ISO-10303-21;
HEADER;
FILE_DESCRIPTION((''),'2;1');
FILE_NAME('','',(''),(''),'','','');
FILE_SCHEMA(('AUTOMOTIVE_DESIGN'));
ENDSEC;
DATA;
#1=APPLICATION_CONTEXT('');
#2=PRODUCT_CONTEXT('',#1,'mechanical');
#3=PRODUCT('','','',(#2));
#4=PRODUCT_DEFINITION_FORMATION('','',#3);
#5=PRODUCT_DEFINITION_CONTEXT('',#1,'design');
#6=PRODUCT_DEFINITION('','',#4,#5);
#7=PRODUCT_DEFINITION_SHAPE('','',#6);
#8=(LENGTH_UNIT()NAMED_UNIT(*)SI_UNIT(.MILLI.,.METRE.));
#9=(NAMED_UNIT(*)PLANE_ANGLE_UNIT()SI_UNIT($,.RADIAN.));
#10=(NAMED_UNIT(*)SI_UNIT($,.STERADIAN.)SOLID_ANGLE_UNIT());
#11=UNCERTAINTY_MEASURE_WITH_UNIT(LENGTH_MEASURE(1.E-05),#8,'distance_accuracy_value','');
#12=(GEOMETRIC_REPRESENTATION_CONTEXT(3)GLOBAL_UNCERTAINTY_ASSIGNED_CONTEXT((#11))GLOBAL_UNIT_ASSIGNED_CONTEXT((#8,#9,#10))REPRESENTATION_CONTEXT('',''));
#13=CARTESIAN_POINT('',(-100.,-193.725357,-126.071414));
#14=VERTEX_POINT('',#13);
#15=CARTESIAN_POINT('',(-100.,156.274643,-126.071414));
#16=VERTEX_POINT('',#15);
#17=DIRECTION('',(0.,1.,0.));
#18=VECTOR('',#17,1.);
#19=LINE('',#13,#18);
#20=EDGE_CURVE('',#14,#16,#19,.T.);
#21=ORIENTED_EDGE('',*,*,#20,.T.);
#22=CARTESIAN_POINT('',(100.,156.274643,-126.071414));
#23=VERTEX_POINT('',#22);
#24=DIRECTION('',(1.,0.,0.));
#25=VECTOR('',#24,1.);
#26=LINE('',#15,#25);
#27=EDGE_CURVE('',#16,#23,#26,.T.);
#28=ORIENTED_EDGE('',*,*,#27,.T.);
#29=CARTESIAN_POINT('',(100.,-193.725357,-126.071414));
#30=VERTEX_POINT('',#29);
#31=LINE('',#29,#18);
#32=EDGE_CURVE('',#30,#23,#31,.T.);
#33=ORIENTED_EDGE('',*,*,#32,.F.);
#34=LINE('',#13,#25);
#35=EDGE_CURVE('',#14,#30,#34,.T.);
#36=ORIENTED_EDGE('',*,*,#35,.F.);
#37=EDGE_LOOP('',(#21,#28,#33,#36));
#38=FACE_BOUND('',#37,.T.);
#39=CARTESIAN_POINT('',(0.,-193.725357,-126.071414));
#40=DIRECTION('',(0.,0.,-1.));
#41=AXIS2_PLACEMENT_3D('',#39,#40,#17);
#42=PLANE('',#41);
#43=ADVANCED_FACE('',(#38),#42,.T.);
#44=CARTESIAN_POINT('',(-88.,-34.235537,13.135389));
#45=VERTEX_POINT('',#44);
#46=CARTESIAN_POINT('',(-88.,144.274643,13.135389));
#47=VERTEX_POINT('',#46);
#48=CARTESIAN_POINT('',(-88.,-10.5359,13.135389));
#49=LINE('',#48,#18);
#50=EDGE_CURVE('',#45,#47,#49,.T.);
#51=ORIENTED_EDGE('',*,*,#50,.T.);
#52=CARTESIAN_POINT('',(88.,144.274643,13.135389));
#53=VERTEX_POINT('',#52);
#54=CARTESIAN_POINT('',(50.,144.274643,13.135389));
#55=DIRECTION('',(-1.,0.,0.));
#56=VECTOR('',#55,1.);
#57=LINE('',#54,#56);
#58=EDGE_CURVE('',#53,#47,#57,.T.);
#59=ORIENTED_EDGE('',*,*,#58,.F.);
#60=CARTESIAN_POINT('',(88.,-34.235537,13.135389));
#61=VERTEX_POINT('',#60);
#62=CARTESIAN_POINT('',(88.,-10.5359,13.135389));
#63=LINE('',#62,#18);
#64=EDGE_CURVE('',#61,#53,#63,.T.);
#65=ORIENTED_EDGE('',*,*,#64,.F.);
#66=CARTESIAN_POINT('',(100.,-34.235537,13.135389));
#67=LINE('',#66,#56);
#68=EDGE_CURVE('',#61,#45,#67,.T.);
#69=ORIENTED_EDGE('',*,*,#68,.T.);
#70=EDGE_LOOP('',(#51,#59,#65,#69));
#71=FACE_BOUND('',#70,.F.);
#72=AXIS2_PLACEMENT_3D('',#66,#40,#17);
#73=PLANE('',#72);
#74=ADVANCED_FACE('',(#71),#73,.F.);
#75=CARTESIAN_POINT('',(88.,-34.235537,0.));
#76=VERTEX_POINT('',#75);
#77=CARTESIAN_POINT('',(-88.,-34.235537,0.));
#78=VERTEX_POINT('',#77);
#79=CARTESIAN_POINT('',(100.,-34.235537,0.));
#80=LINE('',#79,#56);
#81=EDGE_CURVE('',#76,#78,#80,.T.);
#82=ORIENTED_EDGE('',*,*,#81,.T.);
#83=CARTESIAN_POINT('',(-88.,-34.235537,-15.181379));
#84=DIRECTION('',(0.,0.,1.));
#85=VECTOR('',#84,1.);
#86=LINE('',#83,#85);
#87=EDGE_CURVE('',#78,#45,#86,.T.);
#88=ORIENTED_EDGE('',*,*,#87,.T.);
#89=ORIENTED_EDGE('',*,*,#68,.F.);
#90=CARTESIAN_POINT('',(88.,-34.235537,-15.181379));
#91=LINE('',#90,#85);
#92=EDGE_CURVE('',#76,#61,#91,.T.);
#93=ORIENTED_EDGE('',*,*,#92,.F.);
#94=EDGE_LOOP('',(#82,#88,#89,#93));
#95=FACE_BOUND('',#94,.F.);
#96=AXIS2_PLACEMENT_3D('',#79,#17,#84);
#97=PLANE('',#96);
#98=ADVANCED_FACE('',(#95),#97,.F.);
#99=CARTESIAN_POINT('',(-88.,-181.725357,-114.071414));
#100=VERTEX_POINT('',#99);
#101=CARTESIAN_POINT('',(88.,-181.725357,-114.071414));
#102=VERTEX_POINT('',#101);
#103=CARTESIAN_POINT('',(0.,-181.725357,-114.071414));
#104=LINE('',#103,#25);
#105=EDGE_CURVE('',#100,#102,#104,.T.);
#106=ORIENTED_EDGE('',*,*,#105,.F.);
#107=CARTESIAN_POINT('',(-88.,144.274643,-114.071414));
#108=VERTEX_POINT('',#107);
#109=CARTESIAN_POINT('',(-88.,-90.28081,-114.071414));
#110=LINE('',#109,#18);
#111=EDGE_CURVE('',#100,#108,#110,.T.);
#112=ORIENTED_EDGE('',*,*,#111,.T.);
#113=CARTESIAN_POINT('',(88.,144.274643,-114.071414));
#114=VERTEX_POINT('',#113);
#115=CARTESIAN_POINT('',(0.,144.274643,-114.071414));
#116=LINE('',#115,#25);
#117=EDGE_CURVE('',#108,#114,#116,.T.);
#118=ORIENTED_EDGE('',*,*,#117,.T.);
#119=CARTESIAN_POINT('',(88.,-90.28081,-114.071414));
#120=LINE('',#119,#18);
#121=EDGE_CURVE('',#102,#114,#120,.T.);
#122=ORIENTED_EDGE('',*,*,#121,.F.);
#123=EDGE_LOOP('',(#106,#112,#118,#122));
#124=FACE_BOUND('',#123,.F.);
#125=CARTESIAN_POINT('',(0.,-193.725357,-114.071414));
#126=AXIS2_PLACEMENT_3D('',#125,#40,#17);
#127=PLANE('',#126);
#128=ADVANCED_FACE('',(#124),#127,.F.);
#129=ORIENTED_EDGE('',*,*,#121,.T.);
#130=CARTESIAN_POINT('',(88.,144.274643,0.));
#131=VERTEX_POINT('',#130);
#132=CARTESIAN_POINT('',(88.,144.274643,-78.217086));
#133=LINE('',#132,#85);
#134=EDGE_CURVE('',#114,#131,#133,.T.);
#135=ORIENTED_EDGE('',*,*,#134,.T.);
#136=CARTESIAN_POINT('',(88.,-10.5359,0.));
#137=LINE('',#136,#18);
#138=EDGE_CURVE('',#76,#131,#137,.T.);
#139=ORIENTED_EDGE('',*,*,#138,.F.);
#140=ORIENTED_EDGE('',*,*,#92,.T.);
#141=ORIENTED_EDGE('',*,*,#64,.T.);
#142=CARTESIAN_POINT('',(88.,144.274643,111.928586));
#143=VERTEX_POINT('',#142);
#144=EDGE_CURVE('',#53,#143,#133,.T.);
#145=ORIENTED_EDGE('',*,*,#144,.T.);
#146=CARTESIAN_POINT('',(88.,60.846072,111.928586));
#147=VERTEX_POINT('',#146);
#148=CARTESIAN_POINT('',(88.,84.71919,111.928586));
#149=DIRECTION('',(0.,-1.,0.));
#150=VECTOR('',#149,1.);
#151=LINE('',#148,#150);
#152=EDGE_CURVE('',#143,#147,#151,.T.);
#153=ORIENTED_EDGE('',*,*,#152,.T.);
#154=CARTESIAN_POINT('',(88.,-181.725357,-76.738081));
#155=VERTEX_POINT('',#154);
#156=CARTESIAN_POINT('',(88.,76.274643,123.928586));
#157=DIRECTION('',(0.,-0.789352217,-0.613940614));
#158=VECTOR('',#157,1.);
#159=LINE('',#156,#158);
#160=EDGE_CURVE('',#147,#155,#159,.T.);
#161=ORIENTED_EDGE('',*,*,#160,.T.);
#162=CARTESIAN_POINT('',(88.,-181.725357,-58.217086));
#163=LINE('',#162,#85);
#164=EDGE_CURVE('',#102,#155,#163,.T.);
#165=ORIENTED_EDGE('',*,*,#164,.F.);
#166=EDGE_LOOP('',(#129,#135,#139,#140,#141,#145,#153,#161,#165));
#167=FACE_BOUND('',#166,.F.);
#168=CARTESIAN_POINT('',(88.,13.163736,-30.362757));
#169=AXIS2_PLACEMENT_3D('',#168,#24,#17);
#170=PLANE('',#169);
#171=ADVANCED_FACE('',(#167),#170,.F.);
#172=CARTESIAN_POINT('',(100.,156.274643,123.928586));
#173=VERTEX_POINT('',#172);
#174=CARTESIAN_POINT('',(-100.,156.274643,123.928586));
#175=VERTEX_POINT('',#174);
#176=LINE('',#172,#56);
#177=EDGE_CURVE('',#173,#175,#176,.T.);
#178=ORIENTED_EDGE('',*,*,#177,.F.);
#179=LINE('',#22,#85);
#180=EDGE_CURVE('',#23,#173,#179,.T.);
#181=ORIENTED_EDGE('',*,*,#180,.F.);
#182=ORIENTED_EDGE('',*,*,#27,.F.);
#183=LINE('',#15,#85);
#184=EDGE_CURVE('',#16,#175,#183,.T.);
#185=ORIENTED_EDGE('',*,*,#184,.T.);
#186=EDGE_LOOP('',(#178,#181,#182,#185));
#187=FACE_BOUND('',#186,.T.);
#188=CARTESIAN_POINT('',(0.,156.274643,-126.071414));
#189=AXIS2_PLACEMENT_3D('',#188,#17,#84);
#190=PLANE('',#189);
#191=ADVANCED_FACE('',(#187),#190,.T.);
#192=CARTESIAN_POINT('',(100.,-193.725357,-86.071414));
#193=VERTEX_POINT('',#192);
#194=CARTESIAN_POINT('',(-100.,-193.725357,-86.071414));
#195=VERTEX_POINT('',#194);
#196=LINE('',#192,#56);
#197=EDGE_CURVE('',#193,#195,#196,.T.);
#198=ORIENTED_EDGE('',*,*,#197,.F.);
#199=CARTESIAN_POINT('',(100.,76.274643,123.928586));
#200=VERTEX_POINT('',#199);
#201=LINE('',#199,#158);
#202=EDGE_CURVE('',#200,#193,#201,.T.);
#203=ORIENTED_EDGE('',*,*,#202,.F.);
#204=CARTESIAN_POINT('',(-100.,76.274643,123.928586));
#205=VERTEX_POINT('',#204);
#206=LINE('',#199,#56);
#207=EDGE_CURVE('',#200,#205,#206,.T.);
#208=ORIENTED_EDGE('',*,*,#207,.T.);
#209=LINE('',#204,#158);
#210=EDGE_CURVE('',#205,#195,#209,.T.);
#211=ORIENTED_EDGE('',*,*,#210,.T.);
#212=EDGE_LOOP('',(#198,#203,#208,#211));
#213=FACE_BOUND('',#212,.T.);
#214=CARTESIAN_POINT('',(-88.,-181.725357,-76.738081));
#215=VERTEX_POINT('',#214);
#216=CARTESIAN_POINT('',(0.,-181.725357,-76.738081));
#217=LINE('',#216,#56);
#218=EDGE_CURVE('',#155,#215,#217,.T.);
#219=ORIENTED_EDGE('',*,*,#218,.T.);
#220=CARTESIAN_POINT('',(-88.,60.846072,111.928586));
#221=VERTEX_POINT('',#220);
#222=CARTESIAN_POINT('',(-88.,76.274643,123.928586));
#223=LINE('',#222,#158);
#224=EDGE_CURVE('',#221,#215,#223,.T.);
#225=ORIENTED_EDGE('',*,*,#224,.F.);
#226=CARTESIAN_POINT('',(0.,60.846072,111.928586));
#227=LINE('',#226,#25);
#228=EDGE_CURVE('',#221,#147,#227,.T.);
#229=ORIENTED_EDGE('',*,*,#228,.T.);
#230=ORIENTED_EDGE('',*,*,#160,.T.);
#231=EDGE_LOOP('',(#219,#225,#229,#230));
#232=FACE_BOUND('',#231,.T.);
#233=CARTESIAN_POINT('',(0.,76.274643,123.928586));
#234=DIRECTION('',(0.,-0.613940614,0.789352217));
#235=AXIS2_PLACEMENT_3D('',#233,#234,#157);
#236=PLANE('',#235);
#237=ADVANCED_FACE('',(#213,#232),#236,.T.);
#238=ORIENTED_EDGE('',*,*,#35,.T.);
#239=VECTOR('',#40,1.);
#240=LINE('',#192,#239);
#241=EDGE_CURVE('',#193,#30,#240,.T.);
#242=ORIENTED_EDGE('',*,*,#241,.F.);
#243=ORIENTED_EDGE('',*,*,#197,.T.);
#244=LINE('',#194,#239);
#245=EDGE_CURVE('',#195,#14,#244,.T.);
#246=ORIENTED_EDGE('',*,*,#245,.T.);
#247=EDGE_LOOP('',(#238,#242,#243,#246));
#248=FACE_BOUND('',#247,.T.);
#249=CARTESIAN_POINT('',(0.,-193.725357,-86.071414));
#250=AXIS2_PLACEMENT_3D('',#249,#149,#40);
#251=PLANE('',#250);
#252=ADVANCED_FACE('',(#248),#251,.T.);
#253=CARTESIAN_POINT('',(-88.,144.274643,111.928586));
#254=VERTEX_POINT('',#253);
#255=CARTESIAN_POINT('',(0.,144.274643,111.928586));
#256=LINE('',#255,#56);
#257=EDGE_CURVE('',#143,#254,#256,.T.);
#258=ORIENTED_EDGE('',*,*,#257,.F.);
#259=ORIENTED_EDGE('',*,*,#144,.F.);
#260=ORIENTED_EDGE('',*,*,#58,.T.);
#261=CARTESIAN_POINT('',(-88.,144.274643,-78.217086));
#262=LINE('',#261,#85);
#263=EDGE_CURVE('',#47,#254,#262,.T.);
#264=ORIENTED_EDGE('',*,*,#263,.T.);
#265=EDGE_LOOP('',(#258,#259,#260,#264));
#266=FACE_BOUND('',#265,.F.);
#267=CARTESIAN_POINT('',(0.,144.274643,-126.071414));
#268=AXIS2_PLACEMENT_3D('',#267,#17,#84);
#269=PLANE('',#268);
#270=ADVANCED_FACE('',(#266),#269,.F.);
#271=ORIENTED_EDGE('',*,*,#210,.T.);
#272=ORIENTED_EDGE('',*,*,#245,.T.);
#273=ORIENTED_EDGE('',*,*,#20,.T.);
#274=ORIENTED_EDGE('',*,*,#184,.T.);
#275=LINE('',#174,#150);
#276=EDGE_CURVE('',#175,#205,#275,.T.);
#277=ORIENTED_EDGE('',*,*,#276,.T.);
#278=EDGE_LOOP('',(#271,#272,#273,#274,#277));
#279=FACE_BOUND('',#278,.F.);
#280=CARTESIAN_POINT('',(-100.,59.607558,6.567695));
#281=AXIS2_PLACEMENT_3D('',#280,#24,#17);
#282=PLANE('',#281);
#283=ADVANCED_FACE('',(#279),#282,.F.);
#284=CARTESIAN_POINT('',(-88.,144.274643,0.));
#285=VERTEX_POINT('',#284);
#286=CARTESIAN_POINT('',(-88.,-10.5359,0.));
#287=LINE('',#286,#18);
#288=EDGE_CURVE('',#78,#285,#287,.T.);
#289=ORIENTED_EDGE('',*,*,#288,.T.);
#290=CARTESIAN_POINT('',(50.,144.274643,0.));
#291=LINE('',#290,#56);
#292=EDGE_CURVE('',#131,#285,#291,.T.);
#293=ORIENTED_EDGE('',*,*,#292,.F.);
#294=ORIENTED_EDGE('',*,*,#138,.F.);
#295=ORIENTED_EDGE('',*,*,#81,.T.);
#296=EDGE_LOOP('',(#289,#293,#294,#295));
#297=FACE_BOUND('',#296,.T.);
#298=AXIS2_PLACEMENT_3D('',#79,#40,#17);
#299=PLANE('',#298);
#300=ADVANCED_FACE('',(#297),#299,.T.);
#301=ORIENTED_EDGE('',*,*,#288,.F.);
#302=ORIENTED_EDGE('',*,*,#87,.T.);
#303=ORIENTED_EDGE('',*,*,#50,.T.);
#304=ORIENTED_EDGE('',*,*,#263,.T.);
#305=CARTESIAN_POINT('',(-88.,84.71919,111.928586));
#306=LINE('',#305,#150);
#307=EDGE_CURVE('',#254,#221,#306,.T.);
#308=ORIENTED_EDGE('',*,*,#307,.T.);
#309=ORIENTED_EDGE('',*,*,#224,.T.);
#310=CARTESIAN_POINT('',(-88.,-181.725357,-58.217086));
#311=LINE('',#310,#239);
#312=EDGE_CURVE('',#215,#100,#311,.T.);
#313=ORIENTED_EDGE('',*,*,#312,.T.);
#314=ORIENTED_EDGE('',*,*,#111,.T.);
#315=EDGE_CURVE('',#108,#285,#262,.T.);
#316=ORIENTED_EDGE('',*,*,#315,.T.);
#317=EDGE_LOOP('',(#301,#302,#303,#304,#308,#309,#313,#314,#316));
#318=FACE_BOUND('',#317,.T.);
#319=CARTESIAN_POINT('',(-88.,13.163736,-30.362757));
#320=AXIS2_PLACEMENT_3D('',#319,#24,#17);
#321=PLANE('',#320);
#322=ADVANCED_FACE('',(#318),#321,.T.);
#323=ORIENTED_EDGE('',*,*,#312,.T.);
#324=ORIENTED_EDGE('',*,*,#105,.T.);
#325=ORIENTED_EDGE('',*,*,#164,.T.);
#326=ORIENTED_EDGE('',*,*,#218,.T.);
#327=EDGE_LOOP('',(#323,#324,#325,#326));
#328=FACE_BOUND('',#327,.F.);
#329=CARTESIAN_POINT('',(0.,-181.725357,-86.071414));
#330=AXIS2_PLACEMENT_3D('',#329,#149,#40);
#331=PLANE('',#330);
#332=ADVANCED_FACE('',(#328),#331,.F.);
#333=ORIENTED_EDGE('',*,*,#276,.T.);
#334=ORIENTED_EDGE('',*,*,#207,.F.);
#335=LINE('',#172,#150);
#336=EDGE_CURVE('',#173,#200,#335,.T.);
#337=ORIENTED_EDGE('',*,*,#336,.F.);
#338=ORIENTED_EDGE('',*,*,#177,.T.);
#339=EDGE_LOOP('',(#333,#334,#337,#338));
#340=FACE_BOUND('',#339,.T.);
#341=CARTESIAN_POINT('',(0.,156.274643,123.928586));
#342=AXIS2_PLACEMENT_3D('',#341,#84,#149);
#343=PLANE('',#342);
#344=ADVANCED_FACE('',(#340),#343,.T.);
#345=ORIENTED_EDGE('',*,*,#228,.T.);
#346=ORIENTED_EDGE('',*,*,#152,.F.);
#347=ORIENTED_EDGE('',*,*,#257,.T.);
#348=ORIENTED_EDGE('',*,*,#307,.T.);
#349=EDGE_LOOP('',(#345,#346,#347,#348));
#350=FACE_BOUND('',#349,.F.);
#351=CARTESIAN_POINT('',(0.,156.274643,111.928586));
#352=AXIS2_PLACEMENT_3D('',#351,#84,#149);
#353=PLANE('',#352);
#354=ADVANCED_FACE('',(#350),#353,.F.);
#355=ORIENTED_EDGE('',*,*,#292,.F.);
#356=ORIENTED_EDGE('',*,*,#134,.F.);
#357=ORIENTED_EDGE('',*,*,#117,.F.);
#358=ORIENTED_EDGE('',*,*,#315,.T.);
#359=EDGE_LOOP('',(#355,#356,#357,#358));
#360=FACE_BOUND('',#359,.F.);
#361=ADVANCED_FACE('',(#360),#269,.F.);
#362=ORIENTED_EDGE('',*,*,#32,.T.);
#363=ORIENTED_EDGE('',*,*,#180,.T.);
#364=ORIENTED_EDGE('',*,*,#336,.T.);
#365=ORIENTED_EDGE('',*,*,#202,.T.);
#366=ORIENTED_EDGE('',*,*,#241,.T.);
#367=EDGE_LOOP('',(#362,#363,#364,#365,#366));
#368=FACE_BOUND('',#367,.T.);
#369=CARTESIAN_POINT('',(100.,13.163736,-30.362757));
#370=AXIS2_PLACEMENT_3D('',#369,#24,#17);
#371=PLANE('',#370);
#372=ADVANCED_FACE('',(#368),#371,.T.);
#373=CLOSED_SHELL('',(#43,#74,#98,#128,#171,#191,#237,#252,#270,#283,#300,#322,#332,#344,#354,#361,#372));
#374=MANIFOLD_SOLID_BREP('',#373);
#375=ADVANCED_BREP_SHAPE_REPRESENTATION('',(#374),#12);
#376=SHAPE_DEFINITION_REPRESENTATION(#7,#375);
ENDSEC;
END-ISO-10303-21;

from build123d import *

# Parameters (mm, degrees)
F1_DEPTH = 100
F2_T     = -12
F4_W     = 187.6861900091
F4_H     = 13.1353894249
F5_DEPTH = 200


with BuildPart() as f1:
    # F0 (on Right) → F1 (new body, symmetric)
    with BuildSketch(Plane.YZ):
        Polygon((-193.7253567732, -86.0714143496), (-193.7253567732, -126.0714143496), (156.2746432268, -126.0714143496), (156.2746432268, 123.9285856504), (76.2746432268, 123.9285856504), align=None)
    extrude(amount=F1_DEPTH, both=True)

    # F2
    f2_openings = [f1.faces().sort_by_distance(p)[0] for p in [
        (0, -58.725357, 18.928586),
    ]]
    offset(amount=F2_T, openings=f2_openings)

    # F4 (on face) → F5 (join)
    with BuildSketch(Plane.YZ.offset(100)):
        with Locations((59.6075579524, 6.5676947124)):
            Rectangle(F4_W, F4_H)
    extrude(amount=-F5_DEPTH)


solid = f1.part
